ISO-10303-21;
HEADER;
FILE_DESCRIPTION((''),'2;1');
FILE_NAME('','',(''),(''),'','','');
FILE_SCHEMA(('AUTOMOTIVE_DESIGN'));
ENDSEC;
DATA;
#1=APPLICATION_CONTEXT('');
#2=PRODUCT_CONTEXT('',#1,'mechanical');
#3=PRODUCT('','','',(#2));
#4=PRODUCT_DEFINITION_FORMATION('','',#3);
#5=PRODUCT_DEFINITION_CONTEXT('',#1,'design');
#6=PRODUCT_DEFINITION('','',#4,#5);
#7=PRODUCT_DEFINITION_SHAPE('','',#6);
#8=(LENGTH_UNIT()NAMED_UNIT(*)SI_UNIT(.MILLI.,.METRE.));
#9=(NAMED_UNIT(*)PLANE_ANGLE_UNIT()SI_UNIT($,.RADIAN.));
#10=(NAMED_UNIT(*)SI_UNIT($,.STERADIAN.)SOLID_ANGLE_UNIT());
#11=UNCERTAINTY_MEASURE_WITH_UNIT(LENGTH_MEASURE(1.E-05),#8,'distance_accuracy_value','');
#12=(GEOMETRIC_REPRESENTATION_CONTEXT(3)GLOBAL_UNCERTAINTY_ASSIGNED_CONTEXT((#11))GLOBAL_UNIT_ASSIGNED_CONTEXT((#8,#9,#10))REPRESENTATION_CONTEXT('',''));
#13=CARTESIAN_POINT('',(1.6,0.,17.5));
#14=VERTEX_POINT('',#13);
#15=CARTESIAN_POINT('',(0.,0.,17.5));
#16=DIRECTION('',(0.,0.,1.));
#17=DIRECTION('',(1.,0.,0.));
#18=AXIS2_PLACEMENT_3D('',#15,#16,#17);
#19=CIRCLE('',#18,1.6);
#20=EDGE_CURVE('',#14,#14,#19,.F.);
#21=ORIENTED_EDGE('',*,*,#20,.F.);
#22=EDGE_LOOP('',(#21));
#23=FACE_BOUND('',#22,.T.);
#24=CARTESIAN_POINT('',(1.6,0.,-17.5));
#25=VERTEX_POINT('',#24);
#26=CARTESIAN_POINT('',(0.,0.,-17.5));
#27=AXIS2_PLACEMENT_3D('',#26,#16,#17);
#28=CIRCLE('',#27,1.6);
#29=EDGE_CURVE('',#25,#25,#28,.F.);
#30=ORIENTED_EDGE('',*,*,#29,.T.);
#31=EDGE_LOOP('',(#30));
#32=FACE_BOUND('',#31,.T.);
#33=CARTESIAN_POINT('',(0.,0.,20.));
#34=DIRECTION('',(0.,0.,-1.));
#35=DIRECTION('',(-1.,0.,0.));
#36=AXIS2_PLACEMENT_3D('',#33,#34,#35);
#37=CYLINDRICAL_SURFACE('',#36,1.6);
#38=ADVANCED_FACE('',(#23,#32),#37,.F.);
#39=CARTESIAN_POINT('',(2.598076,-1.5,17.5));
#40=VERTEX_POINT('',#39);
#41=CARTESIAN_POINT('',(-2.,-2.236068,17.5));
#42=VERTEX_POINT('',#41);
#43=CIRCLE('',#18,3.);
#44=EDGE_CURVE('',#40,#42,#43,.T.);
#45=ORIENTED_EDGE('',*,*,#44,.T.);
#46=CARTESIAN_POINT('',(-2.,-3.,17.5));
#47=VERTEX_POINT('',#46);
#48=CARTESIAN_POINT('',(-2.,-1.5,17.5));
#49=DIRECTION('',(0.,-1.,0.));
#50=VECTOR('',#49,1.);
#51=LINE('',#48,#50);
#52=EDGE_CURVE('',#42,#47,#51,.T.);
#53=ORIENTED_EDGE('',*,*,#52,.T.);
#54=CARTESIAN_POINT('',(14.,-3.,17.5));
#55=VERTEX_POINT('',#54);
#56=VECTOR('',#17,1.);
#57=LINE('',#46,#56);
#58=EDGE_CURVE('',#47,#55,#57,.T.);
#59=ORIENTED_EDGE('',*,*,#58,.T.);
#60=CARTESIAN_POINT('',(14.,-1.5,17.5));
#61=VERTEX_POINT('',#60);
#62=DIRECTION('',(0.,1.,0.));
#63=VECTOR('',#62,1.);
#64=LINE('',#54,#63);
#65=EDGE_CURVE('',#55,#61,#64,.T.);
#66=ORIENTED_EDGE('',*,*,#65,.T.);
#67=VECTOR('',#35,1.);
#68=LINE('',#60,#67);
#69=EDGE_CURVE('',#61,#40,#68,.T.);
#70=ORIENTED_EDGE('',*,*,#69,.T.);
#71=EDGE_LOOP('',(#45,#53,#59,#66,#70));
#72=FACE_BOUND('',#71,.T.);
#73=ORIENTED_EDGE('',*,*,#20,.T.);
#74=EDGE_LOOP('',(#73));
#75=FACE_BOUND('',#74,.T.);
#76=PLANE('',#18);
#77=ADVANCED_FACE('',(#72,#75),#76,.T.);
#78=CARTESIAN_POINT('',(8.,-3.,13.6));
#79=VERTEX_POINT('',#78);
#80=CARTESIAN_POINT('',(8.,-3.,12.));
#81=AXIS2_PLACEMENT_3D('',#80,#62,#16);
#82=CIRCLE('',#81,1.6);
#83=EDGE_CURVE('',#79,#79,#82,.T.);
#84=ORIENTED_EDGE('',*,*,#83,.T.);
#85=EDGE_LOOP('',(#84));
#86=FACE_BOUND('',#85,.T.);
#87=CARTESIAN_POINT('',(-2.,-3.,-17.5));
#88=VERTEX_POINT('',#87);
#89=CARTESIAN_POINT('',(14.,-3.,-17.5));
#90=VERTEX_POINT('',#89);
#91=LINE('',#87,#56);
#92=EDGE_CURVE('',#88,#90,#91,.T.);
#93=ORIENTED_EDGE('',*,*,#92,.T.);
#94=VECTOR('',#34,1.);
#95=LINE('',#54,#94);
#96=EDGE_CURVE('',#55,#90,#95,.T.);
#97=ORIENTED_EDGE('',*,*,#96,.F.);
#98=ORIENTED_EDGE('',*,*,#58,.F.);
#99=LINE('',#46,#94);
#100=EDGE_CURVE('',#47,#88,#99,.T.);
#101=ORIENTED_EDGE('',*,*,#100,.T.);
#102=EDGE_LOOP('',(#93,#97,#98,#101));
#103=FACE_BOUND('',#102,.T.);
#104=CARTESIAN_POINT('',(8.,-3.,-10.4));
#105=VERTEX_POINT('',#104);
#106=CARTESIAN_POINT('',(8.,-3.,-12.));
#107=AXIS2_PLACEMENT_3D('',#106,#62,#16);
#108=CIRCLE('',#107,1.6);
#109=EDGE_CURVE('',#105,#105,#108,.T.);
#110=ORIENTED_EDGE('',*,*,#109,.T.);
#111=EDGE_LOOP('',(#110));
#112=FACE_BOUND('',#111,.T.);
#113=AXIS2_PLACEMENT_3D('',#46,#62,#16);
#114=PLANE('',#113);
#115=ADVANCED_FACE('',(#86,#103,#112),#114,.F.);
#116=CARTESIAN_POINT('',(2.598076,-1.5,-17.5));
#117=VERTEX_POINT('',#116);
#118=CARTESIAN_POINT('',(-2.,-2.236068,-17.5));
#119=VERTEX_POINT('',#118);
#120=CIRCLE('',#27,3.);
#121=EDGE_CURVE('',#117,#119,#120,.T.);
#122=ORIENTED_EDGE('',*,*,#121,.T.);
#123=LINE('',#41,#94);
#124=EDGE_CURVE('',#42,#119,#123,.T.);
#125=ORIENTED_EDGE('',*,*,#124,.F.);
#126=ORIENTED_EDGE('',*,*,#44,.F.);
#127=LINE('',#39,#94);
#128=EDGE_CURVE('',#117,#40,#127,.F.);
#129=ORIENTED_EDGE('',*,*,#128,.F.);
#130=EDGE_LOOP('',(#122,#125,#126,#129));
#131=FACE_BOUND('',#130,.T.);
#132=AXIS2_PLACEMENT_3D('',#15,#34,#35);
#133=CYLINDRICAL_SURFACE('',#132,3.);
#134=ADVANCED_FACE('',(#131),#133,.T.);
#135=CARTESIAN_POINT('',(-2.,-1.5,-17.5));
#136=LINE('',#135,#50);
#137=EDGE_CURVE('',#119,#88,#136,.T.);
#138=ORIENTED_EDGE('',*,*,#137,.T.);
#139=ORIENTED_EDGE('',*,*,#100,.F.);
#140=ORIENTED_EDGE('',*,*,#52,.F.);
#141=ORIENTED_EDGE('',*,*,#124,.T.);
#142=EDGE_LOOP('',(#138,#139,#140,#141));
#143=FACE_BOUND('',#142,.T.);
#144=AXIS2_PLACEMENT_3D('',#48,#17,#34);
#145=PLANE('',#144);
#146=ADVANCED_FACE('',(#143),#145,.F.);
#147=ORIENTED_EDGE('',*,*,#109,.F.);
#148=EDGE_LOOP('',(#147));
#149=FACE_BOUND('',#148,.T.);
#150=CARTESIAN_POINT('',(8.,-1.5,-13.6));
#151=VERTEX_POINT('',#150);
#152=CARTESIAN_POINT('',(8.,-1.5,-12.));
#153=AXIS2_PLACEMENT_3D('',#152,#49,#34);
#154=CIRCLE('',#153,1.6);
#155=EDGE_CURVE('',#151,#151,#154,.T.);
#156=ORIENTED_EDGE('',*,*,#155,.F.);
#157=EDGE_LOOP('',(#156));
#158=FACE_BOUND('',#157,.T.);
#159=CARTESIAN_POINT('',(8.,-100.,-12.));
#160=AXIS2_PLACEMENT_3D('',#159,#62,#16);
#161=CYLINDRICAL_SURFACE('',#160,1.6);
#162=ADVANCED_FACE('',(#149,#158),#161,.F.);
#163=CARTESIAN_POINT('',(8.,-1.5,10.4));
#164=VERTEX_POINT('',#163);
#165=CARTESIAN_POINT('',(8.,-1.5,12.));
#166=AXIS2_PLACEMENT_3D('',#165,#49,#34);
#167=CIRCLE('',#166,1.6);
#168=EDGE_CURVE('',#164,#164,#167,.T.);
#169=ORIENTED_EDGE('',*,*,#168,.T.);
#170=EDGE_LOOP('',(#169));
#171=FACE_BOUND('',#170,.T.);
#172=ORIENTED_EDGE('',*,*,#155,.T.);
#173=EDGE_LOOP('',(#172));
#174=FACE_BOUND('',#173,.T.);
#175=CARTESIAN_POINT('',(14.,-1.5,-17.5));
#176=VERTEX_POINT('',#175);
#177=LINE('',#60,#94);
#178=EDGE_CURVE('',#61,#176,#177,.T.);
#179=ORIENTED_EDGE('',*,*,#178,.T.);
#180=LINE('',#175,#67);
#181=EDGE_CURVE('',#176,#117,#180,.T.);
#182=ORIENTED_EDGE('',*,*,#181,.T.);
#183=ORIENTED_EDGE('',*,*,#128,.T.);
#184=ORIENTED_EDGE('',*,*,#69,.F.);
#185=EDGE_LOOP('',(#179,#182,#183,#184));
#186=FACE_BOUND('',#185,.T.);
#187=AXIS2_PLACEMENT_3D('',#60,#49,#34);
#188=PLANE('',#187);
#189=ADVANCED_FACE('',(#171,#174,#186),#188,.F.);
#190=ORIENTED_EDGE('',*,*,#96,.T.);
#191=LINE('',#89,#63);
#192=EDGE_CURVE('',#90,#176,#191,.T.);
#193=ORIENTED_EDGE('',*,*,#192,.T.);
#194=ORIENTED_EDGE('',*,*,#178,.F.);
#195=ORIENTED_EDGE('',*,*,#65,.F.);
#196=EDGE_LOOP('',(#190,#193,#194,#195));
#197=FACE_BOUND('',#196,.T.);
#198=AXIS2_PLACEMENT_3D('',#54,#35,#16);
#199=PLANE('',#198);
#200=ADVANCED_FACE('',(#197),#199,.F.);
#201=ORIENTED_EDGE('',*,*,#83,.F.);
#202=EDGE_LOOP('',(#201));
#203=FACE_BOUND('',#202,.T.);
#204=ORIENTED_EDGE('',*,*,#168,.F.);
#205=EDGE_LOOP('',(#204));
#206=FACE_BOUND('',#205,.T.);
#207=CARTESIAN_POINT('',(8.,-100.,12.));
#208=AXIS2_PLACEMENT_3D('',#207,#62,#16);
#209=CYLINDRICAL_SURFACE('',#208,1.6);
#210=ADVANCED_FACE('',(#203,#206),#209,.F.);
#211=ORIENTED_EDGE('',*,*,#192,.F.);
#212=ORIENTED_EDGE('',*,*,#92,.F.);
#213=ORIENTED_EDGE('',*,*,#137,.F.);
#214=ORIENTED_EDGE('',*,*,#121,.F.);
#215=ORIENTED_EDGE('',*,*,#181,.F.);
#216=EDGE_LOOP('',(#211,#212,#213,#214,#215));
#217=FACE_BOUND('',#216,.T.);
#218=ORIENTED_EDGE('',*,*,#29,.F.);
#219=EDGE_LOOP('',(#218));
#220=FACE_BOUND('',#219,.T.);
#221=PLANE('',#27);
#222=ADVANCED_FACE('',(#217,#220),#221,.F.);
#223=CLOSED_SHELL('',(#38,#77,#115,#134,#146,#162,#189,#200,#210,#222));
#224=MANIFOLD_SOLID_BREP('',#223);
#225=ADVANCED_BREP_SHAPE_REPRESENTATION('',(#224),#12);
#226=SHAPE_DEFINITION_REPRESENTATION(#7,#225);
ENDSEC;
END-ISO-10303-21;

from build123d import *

# Parameters (mm, degrees)
EXTRUDE_START             = -17.5
SKETCH_1_R                = 3
EXTRUDE_231_DEPTH         = 35
SKETCH_2_W                = 16
SKETCH_2_H                = 1.5
EXTRUDE_300_DEPTH         = 35
D3P2_START                = -20
SKETCH_3_R                = 1.6
D3P2_DEPTH                = 40
CUT_EXTRUDE_M3_DEPTH      = 100
CUT_EXTRUDE_M3_DEPTH_BACK = 100
SKETCH_4_R                = 1.6
CUT_EXTRUDE_3_DEPTH       = 100
CUT_EXTRUDE_3_DEPTH_BACK  = 100
SKETCH_5_R                = 1.6


with BuildPart() as part:
    # 草图1 → Extrude 231 (new body)
    with BuildSketch(Plane.XY.offset(EXTRUDE_START)):
        Circle(SKETCH_1_R)
    extrude(amount=EXTRUDE_231_DEPTH)

    # 草图2 → Extrude 300 (add)
    with BuildSketch(Plane.XY.offset(EXTRUDE_START)):
        with Locations((6, -2.25)):
            Rectangle(SKETCH_2_W, SKETCH_2_H)
    extrude(amount=EXTRUDE_300_DEPTH)

    # 草图3 → D3p2活动转轴孔 (cut)
    with BuildSketch(Plane.XY.offset(D3P2_START)):
        Circle(SKETCH_3_R)
    extrude(amount=D3P2_DEPTH, mode=Mode.SUBTRACT)

    # 草图4 → 吊板M3安装孔 (cut, two sides: drawn at the far end of the back side and taken through both)
    with BuildSketch(Plane(origin=(0, 0, 0), x_dir=(1, 0, 0), z_dir=(0, 1, 0)).offset(-CUT_EXTRUDE_M3_DEPTH_BACK)):
        with Locations(Location((8, 12, 0), (0, 0, 270))):
            Circle(SKETCH_4_R)
    extrude(amount=CUT_EXTRUDE_M3_DEPTH + CUT_EXTRUDE_M3_DEPTH_BACK, mode=Mode.SUBTRACT)

    # 草图5 → 切除-拉伸3 (cut, two sides: drawn at the far end of the back side and taken through both)
    with BuildSketch(Plane(origin=(0, 0, 0), x_dir=(1, 0, 0), z_dir=(0, 1, 0)).offset(-CUT_EXTRUDE_3_DEPTH_BACK)):
        with Locations(Location((8, -12, 0), (0, 0, 270))):
            Circle(SKETCH_5_R)
    extrude(amount=CUT_EXTRUDE_3_DEPTH + CUT_EXTRUDE_3_DEPTH_BACK, mode=Mode.SUBTRACT)


solid = part.part
